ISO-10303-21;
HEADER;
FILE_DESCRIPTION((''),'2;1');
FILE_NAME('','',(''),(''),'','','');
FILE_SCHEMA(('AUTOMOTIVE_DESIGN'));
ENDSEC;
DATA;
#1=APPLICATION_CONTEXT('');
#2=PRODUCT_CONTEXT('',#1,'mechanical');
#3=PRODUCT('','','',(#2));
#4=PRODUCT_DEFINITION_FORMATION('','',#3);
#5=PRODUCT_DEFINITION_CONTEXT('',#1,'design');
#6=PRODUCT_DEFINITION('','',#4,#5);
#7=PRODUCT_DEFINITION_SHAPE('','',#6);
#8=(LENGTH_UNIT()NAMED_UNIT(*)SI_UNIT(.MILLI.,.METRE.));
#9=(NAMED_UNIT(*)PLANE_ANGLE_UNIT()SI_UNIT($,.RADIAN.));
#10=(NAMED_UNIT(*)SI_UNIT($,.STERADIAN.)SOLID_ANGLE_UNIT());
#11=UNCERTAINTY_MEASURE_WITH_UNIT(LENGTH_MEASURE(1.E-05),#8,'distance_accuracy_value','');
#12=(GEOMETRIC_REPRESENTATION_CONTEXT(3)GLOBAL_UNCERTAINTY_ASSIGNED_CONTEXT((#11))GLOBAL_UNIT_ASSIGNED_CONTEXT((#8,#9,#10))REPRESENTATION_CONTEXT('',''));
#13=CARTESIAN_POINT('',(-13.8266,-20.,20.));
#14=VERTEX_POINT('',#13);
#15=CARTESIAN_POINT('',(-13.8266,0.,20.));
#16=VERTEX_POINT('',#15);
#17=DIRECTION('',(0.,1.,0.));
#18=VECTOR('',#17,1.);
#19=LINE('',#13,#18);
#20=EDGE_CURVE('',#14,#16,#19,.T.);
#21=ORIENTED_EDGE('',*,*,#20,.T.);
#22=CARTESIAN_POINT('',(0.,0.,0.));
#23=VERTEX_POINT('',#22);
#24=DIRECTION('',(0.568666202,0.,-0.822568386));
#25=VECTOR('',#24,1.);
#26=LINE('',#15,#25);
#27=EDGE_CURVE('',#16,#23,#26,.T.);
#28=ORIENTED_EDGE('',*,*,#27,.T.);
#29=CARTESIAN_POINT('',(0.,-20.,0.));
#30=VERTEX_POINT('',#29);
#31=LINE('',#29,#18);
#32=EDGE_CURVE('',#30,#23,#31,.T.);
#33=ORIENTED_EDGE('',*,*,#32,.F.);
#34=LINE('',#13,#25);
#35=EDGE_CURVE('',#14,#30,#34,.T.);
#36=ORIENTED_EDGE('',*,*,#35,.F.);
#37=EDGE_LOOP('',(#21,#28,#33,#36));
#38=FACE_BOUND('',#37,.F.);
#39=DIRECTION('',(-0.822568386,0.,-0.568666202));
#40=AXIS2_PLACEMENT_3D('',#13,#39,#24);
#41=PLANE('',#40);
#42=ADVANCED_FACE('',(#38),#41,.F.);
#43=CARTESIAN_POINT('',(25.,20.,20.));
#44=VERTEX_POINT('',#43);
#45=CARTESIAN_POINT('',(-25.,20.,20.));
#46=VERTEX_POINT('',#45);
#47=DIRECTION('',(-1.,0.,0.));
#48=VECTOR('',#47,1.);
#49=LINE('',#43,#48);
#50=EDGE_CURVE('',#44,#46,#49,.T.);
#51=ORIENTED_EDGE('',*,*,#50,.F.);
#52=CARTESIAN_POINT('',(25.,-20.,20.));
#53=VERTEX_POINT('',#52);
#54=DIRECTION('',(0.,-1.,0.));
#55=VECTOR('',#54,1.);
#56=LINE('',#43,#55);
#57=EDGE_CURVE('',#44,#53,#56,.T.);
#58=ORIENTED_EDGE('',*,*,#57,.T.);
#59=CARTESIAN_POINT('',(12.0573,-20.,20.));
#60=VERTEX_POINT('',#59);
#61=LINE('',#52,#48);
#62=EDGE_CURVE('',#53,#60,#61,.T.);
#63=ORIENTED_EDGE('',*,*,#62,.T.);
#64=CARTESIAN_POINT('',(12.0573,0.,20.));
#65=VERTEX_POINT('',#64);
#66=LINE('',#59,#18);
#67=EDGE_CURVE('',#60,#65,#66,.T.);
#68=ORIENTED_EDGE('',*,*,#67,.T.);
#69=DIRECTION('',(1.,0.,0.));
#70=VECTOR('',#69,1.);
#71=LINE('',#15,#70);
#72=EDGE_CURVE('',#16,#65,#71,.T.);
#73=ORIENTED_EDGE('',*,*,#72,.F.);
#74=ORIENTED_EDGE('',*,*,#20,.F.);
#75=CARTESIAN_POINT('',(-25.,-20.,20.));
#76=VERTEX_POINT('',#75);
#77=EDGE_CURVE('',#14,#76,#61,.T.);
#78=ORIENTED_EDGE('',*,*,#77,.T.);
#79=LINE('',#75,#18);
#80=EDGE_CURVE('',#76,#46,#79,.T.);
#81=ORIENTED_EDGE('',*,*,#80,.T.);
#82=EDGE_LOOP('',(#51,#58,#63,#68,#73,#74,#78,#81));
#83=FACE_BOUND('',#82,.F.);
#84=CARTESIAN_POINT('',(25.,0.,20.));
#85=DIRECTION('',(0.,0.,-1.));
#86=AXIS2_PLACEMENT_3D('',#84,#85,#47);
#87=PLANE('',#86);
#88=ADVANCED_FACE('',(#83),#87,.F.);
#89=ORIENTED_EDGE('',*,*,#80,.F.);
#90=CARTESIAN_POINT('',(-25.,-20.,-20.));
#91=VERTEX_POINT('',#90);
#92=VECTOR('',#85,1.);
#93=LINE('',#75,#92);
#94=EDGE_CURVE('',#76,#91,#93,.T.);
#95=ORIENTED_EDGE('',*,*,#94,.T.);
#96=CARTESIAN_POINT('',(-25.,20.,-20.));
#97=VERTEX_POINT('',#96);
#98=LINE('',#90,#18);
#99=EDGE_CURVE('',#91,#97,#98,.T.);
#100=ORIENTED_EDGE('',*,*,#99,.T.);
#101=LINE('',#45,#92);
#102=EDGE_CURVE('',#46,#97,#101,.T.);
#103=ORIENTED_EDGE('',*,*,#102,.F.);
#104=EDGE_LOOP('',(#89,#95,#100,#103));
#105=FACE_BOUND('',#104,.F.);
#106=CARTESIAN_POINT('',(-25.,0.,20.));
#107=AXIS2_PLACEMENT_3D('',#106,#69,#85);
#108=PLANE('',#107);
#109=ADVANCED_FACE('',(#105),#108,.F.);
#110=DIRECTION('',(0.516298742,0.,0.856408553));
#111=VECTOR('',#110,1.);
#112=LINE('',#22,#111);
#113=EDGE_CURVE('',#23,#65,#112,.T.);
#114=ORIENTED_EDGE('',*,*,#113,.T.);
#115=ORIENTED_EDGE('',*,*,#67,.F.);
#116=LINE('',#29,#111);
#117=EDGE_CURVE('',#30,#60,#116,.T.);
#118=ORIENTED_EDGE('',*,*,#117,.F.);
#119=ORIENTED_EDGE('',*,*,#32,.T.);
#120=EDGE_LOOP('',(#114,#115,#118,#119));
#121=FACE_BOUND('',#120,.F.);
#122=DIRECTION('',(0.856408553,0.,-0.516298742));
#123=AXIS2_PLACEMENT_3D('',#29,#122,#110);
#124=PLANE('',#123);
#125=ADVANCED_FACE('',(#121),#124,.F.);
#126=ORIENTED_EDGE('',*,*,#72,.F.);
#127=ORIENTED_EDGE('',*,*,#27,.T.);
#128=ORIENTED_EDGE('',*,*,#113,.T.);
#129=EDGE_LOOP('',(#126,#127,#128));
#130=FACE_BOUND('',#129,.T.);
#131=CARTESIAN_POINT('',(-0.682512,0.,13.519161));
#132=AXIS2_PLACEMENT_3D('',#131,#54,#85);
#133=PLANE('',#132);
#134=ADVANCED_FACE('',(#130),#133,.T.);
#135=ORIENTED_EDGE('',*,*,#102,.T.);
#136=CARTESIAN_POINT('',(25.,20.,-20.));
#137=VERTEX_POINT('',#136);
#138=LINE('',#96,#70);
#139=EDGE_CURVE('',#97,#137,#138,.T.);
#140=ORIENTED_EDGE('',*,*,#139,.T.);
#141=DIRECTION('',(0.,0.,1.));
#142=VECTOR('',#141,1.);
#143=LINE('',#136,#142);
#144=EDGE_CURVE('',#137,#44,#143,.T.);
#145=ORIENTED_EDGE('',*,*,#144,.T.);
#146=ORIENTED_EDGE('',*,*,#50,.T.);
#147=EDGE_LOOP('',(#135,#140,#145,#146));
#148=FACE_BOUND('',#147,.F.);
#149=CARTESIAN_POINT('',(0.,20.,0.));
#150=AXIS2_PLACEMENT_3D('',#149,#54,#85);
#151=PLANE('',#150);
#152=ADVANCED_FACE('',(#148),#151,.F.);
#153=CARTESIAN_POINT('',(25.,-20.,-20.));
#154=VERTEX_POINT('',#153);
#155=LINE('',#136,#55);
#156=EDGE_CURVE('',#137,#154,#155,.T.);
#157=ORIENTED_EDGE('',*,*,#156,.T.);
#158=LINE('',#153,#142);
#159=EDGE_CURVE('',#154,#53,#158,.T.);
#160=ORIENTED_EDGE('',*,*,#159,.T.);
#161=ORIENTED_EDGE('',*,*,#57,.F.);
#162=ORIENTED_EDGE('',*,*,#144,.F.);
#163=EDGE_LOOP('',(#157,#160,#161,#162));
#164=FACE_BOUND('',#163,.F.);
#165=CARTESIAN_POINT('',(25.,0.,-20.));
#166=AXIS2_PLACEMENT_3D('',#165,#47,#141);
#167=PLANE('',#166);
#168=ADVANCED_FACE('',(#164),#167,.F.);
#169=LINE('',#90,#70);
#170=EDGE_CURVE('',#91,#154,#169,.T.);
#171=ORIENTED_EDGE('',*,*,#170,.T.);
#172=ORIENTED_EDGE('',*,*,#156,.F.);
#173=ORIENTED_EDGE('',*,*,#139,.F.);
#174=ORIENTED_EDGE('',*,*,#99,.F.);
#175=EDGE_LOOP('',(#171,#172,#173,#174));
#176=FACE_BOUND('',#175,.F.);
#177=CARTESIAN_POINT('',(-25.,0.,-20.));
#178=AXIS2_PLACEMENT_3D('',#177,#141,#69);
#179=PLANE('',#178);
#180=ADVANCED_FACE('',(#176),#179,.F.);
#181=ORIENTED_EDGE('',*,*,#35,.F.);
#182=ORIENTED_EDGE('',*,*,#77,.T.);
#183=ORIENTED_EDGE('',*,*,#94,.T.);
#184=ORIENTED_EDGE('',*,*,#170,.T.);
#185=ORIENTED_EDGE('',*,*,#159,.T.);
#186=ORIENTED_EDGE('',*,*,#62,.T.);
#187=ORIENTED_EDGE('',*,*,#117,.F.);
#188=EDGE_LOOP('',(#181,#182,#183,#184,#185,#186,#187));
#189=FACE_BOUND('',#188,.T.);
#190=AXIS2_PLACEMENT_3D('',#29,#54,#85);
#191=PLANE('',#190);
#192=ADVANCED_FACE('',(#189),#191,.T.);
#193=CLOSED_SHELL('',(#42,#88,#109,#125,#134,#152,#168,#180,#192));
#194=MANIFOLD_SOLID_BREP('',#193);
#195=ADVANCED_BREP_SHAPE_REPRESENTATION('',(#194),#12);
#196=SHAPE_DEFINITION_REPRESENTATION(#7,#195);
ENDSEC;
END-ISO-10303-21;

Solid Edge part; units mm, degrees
sketch "Sketch1" plane through (0, 0, 0) normal (0, -1, 0) x (1, 0, 0)
  line L0 (-25, -20) -> (25, -20)
  line L1 (25, -20) -> (25, 20)
  line L2 (25, 20) -> (-25, 20)
  line L3 (-25, 20) -> (-25, -20)
  dimension "D1" = 50
  dimension "D2" = 40
extrude "Protrusion1" add sketch "Sketch1" along normal mid plane 40
sketch "Sketch2" plane through (0, -20, 0) normal (0, -1, 0) x (1, 0, 0)
  line L0 (0, 20) -> (-13.8266, 20)
  line L1 (-13.8266, 20) -> (0, 0)
  line L2 (0, 0) -> (12.0573, 20)
  line L3 (12.0573, 20) -> (0, 20)
extrude "ExtrudedCutout_1" cut sketch "Sketch2" against normal blind 20
